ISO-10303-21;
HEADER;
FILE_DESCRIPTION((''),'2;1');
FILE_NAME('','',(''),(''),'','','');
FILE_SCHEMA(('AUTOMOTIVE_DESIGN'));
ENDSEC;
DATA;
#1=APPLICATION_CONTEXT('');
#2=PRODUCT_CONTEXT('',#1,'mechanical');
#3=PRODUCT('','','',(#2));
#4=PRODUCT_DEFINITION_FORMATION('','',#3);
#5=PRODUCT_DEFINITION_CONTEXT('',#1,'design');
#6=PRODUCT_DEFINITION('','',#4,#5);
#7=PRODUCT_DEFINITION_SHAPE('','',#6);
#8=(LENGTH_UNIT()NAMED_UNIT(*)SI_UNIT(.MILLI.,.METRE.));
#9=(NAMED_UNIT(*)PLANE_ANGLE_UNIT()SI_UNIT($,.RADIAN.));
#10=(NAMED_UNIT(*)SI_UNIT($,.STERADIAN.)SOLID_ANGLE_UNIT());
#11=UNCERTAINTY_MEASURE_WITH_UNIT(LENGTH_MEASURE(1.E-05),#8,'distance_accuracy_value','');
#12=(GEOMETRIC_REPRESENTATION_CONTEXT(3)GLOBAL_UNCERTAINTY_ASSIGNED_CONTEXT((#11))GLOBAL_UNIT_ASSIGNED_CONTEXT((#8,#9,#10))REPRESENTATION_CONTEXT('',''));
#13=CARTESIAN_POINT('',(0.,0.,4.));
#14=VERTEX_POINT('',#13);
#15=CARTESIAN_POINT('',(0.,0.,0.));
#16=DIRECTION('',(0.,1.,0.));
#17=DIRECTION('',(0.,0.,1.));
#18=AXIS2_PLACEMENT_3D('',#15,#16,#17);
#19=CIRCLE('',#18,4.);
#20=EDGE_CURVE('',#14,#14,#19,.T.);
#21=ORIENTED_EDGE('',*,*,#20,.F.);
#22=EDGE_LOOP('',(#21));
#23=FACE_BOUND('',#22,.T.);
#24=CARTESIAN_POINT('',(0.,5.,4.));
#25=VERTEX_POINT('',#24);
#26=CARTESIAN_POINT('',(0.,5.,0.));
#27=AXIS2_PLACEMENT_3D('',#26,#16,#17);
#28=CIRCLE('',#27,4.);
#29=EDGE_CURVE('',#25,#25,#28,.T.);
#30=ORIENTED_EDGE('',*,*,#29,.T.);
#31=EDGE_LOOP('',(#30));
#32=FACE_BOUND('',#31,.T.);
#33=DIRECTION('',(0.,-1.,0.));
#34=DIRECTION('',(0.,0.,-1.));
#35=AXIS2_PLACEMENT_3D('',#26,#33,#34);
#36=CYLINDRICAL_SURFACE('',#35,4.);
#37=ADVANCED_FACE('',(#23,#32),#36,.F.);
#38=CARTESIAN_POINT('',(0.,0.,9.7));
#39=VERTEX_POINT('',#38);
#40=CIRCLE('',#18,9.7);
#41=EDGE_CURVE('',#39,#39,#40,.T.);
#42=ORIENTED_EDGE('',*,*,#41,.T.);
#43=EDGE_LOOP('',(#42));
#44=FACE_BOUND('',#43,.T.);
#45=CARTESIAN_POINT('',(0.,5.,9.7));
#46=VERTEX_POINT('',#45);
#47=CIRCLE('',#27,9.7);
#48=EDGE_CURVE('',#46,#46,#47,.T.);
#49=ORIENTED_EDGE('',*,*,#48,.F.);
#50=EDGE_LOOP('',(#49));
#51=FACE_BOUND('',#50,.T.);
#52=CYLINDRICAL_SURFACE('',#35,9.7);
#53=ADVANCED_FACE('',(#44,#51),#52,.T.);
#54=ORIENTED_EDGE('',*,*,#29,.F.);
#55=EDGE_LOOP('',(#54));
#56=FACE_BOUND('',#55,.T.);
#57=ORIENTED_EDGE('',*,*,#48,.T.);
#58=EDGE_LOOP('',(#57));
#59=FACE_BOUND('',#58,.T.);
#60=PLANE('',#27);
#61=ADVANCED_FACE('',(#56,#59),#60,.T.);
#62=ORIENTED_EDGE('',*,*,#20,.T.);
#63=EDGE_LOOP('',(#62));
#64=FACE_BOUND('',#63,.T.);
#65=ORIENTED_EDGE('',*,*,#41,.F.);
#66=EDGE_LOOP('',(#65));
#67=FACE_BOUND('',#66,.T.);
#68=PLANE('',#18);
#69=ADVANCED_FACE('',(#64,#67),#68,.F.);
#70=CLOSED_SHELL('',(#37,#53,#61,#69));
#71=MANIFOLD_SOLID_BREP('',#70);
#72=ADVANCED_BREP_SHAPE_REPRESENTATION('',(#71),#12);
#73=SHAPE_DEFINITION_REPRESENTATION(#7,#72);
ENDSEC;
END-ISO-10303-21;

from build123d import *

# Parameters (mm, degrees)
SKETCH_1_R      = 9.7
SKETCH_1_R_2    = 4
EXTRUDE_1_DEPTH = 5


with BuildPart() as part:
    # 스케치1 → 보스-돌출1 (new body)
    with BuildSketch(Plane(origin=(0, 0, 0), x_dir=(1, 0, 0), z_dir=(0, 1, 0))):
        with Locations(Location((0, 0, 0), (0, 0, 270))):
            Circle(SKETCH_1_R)
        with Locations(Location((0, 0, 0), (0, 0, 270))):
            Circle(SKETCH_1_R_2, mode=Mode.SUBTRACT)
    extrude(amount=EXTRUDE_1_DEPTH)


solid = part.part
